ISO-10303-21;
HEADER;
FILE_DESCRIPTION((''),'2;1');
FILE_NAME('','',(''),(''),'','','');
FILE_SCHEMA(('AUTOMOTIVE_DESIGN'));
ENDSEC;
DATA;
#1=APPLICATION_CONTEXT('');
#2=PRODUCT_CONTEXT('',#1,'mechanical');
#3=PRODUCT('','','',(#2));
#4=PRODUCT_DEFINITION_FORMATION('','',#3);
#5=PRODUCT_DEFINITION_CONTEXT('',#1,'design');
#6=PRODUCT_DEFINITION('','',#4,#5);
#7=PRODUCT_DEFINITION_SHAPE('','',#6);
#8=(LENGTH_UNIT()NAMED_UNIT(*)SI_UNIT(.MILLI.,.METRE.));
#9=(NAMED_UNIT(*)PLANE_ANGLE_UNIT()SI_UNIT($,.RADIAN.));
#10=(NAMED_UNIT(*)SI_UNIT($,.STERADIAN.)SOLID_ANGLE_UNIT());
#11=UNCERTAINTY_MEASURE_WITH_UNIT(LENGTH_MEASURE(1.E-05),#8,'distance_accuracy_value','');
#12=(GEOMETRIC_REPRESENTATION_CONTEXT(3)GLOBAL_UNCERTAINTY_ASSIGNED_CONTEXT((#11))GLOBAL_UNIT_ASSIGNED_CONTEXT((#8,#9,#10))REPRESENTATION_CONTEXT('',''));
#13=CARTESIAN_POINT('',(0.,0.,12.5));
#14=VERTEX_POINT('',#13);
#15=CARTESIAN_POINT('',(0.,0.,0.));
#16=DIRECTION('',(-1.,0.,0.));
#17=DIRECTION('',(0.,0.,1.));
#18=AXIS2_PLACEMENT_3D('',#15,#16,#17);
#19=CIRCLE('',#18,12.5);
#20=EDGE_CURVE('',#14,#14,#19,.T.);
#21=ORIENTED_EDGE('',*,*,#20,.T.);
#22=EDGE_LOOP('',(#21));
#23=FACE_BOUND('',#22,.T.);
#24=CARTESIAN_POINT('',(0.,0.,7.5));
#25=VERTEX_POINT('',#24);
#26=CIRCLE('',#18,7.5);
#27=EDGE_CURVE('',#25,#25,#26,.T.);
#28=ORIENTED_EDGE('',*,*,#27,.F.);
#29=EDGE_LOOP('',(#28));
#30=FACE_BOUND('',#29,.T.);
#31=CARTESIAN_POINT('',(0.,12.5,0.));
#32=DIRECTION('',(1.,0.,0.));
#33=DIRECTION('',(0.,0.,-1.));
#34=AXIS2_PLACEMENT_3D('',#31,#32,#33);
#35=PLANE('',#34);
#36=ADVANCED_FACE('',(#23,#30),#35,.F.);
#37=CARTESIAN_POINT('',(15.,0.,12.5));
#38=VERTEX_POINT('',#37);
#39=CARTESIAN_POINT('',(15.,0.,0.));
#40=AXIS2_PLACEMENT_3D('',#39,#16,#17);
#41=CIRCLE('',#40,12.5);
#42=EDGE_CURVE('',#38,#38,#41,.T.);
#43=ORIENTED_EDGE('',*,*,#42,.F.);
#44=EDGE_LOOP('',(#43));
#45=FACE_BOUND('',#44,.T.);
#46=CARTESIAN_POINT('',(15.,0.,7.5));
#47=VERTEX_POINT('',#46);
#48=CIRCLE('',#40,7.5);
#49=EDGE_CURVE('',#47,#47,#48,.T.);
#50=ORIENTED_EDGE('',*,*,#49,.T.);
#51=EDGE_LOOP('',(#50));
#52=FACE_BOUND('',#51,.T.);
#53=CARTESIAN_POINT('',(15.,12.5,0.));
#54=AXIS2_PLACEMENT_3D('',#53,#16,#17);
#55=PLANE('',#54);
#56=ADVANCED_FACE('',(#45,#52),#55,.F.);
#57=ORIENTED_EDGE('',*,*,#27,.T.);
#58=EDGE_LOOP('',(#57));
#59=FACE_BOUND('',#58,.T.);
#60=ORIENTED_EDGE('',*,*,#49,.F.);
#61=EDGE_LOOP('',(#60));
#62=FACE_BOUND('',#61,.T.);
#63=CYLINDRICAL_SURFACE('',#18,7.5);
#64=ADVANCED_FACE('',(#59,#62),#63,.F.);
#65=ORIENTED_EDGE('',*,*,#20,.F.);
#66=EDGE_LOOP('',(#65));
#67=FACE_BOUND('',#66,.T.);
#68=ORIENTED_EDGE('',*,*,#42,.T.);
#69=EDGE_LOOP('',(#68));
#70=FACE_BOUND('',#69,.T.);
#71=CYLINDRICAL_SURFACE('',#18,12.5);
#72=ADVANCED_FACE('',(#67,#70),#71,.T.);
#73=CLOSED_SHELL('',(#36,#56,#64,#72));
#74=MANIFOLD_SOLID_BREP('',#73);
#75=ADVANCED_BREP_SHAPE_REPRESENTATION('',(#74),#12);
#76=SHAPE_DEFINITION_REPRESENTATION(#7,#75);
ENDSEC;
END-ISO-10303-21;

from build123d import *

# Parameters (mm, degrees)
SKETCH1_W = 15
SKETCH1_H = 5


with BuildPart() as part:
    # Sketch1 → Revolve1 (revolve)
    with BuildSketch(Plane.XY, mode=Mode.PRIVATE) as revolve1_sk:
        with Locations((7.5, 10)):
            Rectangle(SKETCH1_W, SKETCH1_H)
    revolve(revolve1_sk.sketch.rotate(Axis((0, 0, 0), (1, 0, 0)), 90), axis=Axis((0, 0, 0), (1, 0, 0)))


solid = part.part
